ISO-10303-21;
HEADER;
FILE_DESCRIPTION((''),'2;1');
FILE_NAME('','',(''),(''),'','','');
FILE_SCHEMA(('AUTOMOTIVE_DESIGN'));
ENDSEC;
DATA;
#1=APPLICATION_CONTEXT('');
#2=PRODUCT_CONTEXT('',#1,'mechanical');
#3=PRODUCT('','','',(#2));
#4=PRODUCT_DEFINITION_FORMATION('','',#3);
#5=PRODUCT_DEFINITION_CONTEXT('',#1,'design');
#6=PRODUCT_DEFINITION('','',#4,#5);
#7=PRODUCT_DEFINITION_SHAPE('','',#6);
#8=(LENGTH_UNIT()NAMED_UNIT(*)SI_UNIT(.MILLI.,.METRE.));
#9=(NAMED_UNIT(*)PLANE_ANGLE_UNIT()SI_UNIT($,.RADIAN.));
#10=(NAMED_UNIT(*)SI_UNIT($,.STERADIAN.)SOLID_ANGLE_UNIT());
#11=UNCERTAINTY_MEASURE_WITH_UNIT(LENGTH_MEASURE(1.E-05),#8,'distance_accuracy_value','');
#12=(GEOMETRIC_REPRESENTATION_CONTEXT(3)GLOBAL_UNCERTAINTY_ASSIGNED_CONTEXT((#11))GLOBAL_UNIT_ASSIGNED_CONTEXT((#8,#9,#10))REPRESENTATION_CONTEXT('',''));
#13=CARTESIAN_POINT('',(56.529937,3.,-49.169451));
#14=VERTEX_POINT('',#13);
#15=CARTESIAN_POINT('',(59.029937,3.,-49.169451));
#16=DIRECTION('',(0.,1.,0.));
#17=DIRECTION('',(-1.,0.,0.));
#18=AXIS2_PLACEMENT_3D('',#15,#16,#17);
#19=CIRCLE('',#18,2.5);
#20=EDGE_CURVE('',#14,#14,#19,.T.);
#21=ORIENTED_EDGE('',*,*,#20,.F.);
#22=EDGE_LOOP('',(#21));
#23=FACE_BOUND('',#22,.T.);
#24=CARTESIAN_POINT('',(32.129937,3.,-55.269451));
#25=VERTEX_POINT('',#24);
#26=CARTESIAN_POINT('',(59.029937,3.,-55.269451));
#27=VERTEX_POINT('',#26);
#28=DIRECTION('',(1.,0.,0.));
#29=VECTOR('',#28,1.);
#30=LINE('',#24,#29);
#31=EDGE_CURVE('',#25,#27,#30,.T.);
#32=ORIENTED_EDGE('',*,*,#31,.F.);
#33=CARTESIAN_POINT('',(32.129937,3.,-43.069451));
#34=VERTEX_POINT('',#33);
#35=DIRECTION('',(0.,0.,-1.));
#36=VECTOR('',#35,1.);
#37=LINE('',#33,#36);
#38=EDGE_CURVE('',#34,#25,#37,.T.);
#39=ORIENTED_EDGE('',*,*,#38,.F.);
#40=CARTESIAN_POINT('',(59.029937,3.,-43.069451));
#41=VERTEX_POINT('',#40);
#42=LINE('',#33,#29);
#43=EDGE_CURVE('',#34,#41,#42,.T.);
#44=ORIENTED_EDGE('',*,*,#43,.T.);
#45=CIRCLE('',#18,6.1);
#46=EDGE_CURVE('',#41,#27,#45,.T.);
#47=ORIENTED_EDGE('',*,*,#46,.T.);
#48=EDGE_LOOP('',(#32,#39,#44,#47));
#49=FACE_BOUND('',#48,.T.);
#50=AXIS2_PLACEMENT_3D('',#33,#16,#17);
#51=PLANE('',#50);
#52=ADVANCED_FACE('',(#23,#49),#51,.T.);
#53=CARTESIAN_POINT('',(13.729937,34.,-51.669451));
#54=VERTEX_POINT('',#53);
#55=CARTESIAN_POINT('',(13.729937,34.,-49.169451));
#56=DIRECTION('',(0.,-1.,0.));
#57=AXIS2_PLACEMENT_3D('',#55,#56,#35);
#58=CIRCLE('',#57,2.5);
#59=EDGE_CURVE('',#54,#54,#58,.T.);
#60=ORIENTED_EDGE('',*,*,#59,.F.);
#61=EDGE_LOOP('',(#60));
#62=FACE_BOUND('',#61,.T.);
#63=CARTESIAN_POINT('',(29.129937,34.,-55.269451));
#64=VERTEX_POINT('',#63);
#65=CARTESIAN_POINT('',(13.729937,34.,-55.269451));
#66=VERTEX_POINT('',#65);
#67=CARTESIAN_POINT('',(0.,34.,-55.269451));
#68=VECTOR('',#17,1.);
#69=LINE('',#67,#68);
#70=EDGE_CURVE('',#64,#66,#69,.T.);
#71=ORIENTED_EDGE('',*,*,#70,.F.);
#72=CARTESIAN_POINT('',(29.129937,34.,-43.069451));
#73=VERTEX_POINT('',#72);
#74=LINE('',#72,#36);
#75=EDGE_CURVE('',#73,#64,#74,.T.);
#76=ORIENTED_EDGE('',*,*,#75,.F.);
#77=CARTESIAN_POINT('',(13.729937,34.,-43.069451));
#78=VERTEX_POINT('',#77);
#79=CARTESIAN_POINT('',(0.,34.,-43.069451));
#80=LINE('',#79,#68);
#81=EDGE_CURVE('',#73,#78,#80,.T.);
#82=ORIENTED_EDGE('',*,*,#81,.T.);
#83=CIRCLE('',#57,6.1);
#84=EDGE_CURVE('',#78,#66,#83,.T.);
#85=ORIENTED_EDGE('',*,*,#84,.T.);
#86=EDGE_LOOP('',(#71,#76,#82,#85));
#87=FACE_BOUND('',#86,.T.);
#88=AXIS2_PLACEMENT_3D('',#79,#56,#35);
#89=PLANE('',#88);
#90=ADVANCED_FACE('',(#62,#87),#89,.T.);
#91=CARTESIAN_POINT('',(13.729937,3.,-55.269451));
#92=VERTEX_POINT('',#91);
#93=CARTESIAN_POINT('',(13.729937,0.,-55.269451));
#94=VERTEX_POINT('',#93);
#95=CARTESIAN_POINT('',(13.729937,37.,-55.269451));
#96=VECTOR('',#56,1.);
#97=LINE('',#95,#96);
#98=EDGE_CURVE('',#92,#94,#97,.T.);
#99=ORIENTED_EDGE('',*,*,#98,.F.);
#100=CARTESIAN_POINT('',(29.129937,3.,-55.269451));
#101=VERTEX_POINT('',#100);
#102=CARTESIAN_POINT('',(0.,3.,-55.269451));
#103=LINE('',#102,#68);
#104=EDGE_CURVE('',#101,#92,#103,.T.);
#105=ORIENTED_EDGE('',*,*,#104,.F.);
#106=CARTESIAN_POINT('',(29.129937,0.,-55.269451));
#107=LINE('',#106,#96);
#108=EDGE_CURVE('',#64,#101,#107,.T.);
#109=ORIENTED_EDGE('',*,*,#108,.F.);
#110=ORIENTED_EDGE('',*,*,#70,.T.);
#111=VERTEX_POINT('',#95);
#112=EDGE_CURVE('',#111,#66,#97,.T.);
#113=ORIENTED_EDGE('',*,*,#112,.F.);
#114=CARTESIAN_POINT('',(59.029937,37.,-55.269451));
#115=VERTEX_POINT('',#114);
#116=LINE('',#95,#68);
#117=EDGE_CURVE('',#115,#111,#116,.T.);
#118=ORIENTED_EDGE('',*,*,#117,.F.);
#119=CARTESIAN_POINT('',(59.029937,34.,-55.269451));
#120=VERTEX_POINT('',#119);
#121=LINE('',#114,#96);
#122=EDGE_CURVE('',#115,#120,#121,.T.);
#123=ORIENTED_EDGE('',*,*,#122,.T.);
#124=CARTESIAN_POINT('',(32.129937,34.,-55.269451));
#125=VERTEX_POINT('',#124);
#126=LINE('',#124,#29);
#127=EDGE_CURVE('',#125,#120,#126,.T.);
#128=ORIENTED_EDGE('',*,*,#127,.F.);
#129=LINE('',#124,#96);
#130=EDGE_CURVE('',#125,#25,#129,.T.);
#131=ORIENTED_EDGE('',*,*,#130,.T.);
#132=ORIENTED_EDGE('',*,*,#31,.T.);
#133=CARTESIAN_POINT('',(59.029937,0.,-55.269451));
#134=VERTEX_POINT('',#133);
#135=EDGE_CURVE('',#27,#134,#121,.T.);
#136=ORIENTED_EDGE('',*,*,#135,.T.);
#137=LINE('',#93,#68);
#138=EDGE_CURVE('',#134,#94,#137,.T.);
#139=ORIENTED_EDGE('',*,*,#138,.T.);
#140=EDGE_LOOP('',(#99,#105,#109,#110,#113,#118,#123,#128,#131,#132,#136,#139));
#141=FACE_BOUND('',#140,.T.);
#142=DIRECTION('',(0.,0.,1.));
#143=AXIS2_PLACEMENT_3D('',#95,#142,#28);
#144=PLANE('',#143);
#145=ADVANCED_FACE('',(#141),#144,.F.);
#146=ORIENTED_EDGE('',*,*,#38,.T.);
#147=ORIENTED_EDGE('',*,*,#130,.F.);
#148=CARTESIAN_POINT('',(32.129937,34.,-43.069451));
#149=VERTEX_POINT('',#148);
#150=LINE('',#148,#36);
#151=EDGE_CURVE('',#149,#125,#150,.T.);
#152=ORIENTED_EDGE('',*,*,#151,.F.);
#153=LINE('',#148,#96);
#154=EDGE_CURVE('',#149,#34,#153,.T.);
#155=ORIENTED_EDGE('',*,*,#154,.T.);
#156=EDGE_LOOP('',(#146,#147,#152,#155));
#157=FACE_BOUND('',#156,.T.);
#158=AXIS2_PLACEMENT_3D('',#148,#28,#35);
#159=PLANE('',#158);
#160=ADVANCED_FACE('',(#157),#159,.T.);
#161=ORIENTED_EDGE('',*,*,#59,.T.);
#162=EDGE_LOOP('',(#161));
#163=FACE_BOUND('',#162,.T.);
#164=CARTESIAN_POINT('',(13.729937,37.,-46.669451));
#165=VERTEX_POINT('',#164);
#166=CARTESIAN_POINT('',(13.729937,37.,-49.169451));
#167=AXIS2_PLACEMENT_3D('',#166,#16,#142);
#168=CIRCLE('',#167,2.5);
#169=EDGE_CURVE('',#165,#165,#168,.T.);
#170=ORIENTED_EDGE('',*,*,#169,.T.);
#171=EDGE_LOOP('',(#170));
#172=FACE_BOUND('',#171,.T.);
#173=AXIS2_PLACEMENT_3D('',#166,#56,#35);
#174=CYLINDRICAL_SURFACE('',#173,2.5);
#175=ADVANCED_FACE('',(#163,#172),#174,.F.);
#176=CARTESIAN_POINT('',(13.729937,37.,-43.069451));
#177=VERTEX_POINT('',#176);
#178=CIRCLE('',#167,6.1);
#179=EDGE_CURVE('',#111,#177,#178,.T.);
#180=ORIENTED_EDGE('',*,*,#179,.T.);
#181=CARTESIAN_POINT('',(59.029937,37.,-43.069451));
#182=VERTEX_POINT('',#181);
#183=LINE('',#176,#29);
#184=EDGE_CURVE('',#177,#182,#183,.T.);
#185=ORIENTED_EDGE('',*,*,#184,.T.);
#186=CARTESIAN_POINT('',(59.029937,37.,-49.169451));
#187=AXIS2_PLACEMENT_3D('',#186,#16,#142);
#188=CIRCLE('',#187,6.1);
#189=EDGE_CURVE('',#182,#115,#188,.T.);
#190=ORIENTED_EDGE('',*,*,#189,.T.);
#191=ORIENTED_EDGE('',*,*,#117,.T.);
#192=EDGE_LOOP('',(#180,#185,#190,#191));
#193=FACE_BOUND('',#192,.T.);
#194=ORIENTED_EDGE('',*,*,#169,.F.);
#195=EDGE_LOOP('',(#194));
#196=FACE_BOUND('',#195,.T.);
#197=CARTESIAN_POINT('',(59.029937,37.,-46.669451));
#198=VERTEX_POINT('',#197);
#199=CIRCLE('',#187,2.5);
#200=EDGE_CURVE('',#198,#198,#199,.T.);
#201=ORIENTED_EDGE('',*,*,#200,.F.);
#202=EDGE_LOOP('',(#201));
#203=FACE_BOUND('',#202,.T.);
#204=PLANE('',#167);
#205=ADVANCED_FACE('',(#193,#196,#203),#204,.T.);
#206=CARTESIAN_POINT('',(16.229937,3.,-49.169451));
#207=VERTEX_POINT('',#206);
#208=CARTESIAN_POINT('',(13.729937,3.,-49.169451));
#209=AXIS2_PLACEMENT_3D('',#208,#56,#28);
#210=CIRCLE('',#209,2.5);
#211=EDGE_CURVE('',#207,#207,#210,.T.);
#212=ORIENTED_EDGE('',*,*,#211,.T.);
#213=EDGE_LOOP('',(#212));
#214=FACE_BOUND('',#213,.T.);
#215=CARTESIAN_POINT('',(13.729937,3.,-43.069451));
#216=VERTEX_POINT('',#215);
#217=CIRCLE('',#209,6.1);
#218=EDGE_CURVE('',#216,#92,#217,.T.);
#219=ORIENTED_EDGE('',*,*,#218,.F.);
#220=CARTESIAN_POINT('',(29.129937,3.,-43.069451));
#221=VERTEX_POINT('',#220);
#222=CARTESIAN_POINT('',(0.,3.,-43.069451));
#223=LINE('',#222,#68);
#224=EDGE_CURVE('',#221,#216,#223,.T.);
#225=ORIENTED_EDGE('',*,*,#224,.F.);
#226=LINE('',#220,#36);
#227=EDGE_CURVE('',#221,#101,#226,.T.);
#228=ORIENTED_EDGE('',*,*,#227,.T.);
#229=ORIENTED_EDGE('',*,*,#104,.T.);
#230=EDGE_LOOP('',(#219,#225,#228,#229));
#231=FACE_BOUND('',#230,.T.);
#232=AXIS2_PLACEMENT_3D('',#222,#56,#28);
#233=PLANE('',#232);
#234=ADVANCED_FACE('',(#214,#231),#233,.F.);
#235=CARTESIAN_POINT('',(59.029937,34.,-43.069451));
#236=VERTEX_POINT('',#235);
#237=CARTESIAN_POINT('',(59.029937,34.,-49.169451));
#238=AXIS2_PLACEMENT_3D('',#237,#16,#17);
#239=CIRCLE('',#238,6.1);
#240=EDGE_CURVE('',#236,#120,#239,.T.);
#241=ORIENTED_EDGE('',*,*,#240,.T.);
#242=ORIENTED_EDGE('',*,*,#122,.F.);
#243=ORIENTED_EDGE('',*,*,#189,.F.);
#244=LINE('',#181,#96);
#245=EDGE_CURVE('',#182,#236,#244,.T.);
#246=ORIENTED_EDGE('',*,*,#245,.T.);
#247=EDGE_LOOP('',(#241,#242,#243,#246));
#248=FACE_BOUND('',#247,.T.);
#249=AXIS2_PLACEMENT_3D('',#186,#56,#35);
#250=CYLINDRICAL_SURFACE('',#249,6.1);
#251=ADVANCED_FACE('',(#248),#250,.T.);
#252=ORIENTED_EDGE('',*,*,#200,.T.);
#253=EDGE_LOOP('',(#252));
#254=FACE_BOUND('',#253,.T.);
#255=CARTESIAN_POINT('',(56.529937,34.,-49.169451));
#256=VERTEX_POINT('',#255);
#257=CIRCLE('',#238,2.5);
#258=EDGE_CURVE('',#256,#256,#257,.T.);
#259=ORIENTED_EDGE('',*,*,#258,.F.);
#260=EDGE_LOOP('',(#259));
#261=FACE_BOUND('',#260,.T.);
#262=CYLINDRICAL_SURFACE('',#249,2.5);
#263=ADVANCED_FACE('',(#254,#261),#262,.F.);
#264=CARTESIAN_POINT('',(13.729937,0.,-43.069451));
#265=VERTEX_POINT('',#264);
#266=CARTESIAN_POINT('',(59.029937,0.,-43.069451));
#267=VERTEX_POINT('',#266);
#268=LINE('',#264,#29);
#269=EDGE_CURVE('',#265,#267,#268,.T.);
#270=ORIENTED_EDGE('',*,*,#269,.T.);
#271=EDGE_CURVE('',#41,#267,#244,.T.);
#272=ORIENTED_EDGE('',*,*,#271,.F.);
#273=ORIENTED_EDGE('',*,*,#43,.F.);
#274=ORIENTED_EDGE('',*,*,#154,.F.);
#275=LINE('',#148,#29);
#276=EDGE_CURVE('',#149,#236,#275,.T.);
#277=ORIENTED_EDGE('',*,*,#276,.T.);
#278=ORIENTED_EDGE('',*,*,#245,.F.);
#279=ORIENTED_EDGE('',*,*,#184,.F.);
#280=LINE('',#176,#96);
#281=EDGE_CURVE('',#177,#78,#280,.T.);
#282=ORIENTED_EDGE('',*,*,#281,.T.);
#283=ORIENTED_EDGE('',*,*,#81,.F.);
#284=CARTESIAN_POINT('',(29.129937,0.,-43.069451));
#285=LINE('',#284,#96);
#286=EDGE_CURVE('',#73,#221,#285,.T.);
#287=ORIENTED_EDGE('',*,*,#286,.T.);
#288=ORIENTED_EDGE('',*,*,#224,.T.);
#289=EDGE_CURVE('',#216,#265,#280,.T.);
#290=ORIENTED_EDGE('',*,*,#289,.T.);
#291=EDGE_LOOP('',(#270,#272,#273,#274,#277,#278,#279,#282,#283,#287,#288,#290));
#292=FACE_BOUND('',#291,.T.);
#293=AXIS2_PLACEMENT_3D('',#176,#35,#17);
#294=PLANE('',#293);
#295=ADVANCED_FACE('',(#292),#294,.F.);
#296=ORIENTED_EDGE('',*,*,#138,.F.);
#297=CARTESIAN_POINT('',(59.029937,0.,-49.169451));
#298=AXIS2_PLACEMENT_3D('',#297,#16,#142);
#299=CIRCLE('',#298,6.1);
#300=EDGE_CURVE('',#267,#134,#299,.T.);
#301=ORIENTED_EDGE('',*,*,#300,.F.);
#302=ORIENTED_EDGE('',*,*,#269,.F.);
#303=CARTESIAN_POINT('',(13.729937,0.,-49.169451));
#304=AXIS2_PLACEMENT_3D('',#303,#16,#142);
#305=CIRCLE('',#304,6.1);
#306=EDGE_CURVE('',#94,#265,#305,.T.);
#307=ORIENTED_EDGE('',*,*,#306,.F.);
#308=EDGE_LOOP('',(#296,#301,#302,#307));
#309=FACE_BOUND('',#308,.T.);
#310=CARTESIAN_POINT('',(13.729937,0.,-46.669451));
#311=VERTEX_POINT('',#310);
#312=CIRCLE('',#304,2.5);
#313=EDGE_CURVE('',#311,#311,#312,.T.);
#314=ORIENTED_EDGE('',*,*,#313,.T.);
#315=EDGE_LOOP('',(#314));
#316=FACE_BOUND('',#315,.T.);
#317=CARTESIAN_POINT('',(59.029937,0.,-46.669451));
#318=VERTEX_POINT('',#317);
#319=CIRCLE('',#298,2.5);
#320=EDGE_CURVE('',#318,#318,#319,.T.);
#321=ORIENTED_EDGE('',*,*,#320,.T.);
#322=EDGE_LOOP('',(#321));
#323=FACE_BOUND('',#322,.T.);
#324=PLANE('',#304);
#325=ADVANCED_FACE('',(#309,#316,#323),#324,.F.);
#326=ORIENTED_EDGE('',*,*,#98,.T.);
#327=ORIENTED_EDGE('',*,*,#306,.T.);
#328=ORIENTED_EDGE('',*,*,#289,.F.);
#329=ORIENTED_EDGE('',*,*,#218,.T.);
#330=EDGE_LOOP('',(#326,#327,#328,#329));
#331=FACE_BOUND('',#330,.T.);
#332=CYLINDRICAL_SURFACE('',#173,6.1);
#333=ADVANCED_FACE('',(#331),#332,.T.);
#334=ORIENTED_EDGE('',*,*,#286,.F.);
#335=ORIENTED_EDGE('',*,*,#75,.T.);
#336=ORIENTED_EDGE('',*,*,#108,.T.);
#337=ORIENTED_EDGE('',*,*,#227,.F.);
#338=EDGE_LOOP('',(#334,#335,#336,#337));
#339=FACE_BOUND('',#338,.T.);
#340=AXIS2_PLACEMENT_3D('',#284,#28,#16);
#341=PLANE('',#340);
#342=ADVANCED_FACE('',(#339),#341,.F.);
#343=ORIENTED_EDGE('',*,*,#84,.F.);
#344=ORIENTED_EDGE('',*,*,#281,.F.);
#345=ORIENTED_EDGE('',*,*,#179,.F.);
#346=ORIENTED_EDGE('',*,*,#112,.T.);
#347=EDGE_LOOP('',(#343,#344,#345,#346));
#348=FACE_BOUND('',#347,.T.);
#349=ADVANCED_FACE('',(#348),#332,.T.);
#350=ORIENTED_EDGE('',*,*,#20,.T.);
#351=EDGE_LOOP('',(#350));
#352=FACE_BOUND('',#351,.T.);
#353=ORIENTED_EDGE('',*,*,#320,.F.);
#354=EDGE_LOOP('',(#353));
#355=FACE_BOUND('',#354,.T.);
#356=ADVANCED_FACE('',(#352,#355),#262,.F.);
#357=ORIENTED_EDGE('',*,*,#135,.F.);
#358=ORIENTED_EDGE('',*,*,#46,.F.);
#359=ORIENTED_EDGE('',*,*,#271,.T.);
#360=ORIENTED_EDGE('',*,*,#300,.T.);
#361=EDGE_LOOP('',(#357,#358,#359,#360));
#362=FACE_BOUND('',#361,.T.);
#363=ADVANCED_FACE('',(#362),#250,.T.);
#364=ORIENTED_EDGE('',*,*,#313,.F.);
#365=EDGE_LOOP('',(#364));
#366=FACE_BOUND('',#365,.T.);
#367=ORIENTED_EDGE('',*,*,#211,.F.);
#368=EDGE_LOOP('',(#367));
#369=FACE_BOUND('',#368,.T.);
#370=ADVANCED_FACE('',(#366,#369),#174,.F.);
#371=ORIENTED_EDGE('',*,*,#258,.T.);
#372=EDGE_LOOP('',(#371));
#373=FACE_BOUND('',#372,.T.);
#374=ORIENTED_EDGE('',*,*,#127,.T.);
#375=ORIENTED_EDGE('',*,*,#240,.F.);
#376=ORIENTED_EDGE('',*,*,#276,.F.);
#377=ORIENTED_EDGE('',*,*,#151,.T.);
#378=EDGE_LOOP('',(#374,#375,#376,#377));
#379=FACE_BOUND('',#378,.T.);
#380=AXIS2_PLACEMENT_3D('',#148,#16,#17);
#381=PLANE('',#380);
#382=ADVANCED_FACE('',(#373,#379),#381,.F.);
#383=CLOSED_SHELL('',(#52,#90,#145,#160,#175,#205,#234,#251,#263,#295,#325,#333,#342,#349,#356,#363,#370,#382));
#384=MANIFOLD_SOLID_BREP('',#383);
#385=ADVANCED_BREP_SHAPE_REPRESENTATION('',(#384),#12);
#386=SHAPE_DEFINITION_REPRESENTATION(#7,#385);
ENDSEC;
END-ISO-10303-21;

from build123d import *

# Parameters (mm, degrees)
SKETCH7_R           = 2.5
BOSS_EXTRUDE3_DEPTH = 37
SKETCH8_W           = 15.4
SKETCH8_H           = 31
SKETCH8_W_2         = 8.010366446
SKETCH8_W_3         = 36.155804789
CUT_EXTRUDE4_DEPTH  = 76.893008599


with BuildPart() as part:
    # Sketch7 → Boss-Extrude3 (new body)
    with BuildSketch(Plane(origin=(0, 0, 0), x_dir=(1, 0, 0), z_dir=(0, 1, 0))):
        with BuildLine():
            Line((13.729937465, 55.269451431), (59.029937465, 55.269451431))
            ThreePointArc((59.029937465, 55.269451431), (65.129937465, 49.169451431), (59.029937465, 43.069451431))
            Line((59.029937465, 43.069451431), (13.729937465, 43.069451431))
            ThreePointArc((13.729937465, 43.069451431), (7.629937465, 49.169451431), (13.729937465, 55.269451431))
        make_face()
        with Locations(Location((13.729937465, 49.169451431, 0), (0, 0, 270))):
            Circle(SKETCH7_R, mode=Mode.SUBTRACT)
        with Locations(Location((59.029937465, 49.169451431, 0), (0, 0, 270))):
            Circle(SKETCH7_R, mode=Mode.SUBTRACT)
    extrude(amount=BOSS_EXTRUDE3_DEPTH)

    # Sketch8 → Cut-Extrude4 (cut, through all)
    with BuildSketch(Plane(origin=(0, 0, -55.269451431), x_dir=(-1, 0, 0), z_dir=(0, 0, -1))):
        with Locations((-21.429937465, 18.5)):
            Rectangle(SKETCH8_W, SKETCH8_H)
        with Locations((-9.724754242, 18.5)):
            Rectangle(SKETCH8_W_2, SKETCH8_H)
        with Locations((-50.207839859, 18.5)):
            Rectangle(SKETCH8_W_3, SKETCH8_H)
    extrude(amount=-CUT_EXTRUDE4_DEPTH, mode=Mode.SUBTRACT)


solid = part.part
